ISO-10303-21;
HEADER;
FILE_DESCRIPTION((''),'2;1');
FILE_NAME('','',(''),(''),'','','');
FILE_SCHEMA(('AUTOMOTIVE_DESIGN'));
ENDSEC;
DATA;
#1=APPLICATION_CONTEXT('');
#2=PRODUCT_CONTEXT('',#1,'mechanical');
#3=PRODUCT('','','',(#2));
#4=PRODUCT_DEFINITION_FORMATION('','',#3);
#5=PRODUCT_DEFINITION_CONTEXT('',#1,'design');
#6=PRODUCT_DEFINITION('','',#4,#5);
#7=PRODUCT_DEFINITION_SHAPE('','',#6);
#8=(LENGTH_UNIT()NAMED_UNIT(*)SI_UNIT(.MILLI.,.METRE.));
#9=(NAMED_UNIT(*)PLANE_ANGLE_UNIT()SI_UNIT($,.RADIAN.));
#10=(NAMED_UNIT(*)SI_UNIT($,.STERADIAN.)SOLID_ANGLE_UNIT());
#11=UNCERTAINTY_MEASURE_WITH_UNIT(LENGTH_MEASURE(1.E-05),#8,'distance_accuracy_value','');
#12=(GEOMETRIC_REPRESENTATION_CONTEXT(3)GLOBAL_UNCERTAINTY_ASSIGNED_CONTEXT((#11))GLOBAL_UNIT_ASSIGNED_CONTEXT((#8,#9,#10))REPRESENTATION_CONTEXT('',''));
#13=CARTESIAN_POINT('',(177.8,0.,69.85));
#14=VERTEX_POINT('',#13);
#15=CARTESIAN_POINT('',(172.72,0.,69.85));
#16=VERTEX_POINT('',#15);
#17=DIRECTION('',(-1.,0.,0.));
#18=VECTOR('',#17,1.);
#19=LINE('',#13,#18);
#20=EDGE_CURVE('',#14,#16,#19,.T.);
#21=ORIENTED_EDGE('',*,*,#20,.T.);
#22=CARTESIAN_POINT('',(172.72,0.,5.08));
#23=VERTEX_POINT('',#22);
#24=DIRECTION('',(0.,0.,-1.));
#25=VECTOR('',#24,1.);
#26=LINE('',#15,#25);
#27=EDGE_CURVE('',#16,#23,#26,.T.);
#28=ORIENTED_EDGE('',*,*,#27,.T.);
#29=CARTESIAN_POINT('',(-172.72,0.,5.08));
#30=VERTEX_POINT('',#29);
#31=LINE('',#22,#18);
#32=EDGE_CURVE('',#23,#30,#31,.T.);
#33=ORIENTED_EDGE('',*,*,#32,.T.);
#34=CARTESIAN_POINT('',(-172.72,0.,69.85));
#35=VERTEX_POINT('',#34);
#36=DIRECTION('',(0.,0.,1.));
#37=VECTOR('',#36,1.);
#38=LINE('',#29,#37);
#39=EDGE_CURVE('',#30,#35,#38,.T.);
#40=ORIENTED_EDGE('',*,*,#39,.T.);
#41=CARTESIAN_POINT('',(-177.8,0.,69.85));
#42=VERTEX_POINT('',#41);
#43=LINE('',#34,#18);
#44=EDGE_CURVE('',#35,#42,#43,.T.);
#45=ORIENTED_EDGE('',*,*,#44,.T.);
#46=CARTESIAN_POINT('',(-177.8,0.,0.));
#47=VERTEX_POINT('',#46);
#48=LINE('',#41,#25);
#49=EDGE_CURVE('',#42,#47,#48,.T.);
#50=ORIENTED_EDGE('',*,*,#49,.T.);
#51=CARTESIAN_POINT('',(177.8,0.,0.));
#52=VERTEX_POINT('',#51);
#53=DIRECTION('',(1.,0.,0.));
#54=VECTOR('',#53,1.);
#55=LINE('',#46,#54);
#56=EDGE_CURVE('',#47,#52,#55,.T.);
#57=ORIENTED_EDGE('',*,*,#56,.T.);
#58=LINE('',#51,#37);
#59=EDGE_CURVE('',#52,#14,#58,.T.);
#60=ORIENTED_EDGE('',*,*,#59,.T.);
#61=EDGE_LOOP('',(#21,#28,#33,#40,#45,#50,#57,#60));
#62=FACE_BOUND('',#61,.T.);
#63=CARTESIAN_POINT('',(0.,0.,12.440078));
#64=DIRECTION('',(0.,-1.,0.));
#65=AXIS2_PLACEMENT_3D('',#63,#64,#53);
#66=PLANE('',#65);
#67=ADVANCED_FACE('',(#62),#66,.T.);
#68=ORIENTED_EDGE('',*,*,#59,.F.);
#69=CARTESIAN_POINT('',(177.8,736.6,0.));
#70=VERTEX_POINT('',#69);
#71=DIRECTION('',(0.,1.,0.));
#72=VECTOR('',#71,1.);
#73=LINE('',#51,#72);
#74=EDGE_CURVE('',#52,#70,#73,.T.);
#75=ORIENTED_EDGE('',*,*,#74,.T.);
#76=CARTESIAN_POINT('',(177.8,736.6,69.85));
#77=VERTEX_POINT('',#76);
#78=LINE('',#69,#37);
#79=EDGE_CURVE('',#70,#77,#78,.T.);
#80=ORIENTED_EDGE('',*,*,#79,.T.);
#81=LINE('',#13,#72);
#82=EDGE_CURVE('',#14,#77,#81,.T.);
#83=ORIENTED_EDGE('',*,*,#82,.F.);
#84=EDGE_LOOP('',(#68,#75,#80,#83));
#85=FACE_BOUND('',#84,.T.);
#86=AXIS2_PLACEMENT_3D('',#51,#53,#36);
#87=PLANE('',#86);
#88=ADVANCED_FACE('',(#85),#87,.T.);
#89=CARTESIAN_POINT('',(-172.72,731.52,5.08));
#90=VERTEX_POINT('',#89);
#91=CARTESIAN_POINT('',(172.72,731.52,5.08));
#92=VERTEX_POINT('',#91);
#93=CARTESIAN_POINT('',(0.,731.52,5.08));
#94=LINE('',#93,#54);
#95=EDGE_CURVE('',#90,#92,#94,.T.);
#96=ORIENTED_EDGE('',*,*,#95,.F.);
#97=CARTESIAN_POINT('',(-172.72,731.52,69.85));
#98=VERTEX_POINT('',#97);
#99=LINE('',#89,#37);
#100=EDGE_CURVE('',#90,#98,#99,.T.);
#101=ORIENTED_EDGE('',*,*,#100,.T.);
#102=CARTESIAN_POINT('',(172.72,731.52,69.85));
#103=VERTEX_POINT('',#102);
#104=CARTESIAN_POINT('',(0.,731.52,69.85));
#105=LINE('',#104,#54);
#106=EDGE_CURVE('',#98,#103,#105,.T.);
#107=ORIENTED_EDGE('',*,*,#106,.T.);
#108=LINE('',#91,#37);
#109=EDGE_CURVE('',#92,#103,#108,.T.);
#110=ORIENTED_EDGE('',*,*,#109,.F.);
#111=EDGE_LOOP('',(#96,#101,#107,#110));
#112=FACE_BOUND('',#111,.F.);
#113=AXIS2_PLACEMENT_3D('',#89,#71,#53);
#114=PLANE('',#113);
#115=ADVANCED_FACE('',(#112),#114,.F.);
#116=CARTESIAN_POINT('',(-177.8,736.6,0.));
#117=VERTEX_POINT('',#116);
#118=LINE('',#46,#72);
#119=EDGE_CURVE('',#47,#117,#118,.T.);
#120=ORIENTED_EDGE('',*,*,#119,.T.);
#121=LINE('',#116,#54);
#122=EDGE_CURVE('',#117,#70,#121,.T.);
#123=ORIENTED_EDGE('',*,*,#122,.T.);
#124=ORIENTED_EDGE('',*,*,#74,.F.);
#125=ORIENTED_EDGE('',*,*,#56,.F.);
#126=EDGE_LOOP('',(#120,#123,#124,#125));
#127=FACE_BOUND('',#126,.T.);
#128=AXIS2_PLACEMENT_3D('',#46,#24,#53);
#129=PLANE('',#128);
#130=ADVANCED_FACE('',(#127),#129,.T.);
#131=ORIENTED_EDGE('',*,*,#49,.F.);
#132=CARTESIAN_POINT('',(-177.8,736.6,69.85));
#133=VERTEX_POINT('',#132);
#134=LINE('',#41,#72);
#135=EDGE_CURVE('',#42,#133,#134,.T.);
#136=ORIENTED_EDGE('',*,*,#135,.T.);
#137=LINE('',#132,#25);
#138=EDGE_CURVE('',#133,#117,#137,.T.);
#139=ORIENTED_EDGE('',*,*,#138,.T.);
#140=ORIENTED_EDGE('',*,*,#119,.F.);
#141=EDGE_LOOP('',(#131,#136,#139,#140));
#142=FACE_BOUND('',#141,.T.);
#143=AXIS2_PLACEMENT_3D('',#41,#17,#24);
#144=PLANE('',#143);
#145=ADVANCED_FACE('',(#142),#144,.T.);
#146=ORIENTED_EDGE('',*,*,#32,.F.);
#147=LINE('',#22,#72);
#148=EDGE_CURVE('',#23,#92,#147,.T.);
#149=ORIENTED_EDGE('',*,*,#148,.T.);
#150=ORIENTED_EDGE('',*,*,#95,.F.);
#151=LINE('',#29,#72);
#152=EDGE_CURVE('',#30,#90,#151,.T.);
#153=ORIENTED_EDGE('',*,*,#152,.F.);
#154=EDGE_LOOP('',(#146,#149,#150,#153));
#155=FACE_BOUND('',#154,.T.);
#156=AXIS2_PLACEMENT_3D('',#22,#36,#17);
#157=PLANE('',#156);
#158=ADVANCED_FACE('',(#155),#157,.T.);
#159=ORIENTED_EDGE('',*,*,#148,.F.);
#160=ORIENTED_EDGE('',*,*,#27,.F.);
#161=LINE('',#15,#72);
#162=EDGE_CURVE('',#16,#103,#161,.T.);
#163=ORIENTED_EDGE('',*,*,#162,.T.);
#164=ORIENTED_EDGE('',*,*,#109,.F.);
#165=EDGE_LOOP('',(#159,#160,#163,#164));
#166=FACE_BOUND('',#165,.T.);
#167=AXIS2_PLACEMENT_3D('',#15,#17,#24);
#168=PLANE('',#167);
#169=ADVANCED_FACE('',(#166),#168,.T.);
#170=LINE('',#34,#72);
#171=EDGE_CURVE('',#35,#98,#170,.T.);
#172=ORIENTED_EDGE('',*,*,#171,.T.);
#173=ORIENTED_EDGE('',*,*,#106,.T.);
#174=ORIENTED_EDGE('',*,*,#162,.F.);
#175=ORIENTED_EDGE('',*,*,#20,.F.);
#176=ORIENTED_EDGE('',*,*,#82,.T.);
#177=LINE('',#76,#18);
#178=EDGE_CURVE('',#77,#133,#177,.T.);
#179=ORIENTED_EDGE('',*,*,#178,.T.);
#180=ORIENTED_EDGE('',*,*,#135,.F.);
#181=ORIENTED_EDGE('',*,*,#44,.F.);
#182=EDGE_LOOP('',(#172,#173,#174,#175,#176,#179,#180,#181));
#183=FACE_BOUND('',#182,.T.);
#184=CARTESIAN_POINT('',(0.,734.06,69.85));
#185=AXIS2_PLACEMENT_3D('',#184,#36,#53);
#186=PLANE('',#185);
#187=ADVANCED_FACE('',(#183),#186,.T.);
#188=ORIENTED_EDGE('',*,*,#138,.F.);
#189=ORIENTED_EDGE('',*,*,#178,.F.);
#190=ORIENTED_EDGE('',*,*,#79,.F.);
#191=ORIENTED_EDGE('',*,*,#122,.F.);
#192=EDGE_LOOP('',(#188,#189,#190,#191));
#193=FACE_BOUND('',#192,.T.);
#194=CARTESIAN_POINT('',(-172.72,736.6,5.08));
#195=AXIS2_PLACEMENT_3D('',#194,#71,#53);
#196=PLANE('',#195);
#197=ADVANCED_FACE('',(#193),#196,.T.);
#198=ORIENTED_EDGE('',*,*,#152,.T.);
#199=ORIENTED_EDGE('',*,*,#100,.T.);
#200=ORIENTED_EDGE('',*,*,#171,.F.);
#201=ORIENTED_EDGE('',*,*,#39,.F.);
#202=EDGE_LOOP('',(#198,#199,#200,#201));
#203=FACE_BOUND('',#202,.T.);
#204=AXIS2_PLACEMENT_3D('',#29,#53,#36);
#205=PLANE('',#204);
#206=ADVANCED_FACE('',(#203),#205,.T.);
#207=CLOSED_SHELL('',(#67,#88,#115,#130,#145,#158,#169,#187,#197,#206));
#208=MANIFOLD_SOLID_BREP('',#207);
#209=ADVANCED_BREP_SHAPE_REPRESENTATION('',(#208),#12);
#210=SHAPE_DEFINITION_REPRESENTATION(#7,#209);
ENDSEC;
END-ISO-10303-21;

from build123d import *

# Parameters (mm, degrees)
F1_DEPTH = 736.6
F2_W     = 345.44
F2_H     = 5.08
F3_DEPTH = 64.77


with BuildPart() as f1:
    # F0 (on Front) → F1 (new body)
    with BuildSketch(Plane.XZ):
        Polygon((-172.72, 69.85), (-177.8, 69.85), (-177.8, 0), (177.8, 0), (177.8, 69.85), (172.72, 69.85), (172.72, 5.08), (-172.72, 5.08), align=None)
    extrude(amount=-F1_DEPTH)

    # F2 (on face) → F3 (join, through all)
    with BuildSketch(Plane.XY.offset(5.08)):
        with Locations((0, 734.06)):
            Rectangle(F2_W, F2_H)
    extrude(amount=F3_DEPTH)


solid = f1.part
